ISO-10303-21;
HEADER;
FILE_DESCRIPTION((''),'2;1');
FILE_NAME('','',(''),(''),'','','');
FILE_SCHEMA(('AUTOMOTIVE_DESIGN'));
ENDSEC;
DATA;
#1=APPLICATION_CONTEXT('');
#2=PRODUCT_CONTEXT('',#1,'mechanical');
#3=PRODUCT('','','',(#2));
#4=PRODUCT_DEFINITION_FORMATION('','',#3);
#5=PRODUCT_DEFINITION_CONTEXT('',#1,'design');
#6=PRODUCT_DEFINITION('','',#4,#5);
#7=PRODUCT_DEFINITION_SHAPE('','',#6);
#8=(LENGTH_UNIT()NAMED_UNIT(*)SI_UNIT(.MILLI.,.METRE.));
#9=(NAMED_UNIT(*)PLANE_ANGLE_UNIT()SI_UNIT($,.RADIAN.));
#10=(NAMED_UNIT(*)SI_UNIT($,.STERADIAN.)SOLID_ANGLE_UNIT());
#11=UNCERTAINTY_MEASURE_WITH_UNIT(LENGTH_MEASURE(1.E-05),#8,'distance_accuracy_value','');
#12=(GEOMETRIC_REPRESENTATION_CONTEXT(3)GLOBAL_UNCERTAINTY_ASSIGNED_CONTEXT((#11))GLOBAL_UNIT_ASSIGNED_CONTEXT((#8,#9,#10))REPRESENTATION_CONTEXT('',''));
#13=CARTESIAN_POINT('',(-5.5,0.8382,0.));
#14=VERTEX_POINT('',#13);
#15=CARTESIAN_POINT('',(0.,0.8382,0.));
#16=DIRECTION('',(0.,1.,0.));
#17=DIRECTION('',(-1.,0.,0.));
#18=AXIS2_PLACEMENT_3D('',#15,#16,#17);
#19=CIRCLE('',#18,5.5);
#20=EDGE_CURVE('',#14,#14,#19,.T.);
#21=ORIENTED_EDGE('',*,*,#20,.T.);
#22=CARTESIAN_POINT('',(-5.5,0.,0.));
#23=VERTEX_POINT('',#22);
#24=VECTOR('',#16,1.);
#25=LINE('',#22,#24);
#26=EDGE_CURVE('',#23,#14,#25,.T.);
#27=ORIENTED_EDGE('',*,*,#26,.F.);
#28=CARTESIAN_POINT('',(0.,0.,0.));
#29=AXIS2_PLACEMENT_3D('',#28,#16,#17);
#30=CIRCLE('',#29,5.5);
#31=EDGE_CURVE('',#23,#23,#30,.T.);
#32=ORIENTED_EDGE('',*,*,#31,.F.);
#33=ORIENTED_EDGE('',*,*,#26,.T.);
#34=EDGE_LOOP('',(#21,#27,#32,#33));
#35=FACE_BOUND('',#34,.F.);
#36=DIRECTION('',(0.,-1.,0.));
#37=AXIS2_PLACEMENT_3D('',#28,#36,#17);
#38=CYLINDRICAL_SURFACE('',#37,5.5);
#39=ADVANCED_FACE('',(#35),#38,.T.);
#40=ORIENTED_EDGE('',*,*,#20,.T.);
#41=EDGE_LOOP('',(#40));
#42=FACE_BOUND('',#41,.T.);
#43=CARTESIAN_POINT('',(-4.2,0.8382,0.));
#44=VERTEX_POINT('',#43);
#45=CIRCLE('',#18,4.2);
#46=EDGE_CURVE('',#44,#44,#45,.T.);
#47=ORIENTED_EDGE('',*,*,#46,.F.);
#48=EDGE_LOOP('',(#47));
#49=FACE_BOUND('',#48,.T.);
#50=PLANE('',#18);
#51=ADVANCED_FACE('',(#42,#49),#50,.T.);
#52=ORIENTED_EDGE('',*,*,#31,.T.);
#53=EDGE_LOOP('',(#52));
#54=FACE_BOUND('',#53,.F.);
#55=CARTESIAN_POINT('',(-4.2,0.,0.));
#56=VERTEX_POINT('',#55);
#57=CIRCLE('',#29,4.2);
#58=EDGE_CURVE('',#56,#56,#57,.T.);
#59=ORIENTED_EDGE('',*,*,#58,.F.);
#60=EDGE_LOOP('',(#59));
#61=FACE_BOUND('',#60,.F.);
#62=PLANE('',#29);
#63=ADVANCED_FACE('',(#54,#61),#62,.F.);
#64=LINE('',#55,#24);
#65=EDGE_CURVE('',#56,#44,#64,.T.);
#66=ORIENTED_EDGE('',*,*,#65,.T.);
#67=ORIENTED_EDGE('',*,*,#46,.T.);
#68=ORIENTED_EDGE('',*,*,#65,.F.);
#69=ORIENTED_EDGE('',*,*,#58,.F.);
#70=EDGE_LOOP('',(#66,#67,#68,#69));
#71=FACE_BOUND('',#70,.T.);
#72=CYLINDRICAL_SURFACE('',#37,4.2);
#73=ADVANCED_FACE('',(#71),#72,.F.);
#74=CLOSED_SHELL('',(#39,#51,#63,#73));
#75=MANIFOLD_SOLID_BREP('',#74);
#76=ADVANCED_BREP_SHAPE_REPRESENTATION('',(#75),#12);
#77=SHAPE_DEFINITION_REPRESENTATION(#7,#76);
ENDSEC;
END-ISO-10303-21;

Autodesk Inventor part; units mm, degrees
ref_plane "YZ Plane" through (0, 0, 0) normal (1, 0, 0) x (0, 1, 0)
ref_plane "XZ Plane" through (0, 0, 0) normal (0, 1, 0) x (-1, 0, 0)
ref_plane "XY Plane" through (0, 0, 0) normal (0, 0, 1) x (1, 0, 0)
sketch "Sketch1" plane through (0, 0, 0) normal (0, 1, 0) x (-1, 0, 0)
  circle A0 centre (0, 0) radius 4.2
  circle A1 centre (0, 0) radius 5.5
  dimension "d1" = 8.4
  dimension "d2" = 11
extrude "Extrusion1" add sketch "Sketch1" along normal blind 0.8382
properties part number "spacer between large pulley and channel"
